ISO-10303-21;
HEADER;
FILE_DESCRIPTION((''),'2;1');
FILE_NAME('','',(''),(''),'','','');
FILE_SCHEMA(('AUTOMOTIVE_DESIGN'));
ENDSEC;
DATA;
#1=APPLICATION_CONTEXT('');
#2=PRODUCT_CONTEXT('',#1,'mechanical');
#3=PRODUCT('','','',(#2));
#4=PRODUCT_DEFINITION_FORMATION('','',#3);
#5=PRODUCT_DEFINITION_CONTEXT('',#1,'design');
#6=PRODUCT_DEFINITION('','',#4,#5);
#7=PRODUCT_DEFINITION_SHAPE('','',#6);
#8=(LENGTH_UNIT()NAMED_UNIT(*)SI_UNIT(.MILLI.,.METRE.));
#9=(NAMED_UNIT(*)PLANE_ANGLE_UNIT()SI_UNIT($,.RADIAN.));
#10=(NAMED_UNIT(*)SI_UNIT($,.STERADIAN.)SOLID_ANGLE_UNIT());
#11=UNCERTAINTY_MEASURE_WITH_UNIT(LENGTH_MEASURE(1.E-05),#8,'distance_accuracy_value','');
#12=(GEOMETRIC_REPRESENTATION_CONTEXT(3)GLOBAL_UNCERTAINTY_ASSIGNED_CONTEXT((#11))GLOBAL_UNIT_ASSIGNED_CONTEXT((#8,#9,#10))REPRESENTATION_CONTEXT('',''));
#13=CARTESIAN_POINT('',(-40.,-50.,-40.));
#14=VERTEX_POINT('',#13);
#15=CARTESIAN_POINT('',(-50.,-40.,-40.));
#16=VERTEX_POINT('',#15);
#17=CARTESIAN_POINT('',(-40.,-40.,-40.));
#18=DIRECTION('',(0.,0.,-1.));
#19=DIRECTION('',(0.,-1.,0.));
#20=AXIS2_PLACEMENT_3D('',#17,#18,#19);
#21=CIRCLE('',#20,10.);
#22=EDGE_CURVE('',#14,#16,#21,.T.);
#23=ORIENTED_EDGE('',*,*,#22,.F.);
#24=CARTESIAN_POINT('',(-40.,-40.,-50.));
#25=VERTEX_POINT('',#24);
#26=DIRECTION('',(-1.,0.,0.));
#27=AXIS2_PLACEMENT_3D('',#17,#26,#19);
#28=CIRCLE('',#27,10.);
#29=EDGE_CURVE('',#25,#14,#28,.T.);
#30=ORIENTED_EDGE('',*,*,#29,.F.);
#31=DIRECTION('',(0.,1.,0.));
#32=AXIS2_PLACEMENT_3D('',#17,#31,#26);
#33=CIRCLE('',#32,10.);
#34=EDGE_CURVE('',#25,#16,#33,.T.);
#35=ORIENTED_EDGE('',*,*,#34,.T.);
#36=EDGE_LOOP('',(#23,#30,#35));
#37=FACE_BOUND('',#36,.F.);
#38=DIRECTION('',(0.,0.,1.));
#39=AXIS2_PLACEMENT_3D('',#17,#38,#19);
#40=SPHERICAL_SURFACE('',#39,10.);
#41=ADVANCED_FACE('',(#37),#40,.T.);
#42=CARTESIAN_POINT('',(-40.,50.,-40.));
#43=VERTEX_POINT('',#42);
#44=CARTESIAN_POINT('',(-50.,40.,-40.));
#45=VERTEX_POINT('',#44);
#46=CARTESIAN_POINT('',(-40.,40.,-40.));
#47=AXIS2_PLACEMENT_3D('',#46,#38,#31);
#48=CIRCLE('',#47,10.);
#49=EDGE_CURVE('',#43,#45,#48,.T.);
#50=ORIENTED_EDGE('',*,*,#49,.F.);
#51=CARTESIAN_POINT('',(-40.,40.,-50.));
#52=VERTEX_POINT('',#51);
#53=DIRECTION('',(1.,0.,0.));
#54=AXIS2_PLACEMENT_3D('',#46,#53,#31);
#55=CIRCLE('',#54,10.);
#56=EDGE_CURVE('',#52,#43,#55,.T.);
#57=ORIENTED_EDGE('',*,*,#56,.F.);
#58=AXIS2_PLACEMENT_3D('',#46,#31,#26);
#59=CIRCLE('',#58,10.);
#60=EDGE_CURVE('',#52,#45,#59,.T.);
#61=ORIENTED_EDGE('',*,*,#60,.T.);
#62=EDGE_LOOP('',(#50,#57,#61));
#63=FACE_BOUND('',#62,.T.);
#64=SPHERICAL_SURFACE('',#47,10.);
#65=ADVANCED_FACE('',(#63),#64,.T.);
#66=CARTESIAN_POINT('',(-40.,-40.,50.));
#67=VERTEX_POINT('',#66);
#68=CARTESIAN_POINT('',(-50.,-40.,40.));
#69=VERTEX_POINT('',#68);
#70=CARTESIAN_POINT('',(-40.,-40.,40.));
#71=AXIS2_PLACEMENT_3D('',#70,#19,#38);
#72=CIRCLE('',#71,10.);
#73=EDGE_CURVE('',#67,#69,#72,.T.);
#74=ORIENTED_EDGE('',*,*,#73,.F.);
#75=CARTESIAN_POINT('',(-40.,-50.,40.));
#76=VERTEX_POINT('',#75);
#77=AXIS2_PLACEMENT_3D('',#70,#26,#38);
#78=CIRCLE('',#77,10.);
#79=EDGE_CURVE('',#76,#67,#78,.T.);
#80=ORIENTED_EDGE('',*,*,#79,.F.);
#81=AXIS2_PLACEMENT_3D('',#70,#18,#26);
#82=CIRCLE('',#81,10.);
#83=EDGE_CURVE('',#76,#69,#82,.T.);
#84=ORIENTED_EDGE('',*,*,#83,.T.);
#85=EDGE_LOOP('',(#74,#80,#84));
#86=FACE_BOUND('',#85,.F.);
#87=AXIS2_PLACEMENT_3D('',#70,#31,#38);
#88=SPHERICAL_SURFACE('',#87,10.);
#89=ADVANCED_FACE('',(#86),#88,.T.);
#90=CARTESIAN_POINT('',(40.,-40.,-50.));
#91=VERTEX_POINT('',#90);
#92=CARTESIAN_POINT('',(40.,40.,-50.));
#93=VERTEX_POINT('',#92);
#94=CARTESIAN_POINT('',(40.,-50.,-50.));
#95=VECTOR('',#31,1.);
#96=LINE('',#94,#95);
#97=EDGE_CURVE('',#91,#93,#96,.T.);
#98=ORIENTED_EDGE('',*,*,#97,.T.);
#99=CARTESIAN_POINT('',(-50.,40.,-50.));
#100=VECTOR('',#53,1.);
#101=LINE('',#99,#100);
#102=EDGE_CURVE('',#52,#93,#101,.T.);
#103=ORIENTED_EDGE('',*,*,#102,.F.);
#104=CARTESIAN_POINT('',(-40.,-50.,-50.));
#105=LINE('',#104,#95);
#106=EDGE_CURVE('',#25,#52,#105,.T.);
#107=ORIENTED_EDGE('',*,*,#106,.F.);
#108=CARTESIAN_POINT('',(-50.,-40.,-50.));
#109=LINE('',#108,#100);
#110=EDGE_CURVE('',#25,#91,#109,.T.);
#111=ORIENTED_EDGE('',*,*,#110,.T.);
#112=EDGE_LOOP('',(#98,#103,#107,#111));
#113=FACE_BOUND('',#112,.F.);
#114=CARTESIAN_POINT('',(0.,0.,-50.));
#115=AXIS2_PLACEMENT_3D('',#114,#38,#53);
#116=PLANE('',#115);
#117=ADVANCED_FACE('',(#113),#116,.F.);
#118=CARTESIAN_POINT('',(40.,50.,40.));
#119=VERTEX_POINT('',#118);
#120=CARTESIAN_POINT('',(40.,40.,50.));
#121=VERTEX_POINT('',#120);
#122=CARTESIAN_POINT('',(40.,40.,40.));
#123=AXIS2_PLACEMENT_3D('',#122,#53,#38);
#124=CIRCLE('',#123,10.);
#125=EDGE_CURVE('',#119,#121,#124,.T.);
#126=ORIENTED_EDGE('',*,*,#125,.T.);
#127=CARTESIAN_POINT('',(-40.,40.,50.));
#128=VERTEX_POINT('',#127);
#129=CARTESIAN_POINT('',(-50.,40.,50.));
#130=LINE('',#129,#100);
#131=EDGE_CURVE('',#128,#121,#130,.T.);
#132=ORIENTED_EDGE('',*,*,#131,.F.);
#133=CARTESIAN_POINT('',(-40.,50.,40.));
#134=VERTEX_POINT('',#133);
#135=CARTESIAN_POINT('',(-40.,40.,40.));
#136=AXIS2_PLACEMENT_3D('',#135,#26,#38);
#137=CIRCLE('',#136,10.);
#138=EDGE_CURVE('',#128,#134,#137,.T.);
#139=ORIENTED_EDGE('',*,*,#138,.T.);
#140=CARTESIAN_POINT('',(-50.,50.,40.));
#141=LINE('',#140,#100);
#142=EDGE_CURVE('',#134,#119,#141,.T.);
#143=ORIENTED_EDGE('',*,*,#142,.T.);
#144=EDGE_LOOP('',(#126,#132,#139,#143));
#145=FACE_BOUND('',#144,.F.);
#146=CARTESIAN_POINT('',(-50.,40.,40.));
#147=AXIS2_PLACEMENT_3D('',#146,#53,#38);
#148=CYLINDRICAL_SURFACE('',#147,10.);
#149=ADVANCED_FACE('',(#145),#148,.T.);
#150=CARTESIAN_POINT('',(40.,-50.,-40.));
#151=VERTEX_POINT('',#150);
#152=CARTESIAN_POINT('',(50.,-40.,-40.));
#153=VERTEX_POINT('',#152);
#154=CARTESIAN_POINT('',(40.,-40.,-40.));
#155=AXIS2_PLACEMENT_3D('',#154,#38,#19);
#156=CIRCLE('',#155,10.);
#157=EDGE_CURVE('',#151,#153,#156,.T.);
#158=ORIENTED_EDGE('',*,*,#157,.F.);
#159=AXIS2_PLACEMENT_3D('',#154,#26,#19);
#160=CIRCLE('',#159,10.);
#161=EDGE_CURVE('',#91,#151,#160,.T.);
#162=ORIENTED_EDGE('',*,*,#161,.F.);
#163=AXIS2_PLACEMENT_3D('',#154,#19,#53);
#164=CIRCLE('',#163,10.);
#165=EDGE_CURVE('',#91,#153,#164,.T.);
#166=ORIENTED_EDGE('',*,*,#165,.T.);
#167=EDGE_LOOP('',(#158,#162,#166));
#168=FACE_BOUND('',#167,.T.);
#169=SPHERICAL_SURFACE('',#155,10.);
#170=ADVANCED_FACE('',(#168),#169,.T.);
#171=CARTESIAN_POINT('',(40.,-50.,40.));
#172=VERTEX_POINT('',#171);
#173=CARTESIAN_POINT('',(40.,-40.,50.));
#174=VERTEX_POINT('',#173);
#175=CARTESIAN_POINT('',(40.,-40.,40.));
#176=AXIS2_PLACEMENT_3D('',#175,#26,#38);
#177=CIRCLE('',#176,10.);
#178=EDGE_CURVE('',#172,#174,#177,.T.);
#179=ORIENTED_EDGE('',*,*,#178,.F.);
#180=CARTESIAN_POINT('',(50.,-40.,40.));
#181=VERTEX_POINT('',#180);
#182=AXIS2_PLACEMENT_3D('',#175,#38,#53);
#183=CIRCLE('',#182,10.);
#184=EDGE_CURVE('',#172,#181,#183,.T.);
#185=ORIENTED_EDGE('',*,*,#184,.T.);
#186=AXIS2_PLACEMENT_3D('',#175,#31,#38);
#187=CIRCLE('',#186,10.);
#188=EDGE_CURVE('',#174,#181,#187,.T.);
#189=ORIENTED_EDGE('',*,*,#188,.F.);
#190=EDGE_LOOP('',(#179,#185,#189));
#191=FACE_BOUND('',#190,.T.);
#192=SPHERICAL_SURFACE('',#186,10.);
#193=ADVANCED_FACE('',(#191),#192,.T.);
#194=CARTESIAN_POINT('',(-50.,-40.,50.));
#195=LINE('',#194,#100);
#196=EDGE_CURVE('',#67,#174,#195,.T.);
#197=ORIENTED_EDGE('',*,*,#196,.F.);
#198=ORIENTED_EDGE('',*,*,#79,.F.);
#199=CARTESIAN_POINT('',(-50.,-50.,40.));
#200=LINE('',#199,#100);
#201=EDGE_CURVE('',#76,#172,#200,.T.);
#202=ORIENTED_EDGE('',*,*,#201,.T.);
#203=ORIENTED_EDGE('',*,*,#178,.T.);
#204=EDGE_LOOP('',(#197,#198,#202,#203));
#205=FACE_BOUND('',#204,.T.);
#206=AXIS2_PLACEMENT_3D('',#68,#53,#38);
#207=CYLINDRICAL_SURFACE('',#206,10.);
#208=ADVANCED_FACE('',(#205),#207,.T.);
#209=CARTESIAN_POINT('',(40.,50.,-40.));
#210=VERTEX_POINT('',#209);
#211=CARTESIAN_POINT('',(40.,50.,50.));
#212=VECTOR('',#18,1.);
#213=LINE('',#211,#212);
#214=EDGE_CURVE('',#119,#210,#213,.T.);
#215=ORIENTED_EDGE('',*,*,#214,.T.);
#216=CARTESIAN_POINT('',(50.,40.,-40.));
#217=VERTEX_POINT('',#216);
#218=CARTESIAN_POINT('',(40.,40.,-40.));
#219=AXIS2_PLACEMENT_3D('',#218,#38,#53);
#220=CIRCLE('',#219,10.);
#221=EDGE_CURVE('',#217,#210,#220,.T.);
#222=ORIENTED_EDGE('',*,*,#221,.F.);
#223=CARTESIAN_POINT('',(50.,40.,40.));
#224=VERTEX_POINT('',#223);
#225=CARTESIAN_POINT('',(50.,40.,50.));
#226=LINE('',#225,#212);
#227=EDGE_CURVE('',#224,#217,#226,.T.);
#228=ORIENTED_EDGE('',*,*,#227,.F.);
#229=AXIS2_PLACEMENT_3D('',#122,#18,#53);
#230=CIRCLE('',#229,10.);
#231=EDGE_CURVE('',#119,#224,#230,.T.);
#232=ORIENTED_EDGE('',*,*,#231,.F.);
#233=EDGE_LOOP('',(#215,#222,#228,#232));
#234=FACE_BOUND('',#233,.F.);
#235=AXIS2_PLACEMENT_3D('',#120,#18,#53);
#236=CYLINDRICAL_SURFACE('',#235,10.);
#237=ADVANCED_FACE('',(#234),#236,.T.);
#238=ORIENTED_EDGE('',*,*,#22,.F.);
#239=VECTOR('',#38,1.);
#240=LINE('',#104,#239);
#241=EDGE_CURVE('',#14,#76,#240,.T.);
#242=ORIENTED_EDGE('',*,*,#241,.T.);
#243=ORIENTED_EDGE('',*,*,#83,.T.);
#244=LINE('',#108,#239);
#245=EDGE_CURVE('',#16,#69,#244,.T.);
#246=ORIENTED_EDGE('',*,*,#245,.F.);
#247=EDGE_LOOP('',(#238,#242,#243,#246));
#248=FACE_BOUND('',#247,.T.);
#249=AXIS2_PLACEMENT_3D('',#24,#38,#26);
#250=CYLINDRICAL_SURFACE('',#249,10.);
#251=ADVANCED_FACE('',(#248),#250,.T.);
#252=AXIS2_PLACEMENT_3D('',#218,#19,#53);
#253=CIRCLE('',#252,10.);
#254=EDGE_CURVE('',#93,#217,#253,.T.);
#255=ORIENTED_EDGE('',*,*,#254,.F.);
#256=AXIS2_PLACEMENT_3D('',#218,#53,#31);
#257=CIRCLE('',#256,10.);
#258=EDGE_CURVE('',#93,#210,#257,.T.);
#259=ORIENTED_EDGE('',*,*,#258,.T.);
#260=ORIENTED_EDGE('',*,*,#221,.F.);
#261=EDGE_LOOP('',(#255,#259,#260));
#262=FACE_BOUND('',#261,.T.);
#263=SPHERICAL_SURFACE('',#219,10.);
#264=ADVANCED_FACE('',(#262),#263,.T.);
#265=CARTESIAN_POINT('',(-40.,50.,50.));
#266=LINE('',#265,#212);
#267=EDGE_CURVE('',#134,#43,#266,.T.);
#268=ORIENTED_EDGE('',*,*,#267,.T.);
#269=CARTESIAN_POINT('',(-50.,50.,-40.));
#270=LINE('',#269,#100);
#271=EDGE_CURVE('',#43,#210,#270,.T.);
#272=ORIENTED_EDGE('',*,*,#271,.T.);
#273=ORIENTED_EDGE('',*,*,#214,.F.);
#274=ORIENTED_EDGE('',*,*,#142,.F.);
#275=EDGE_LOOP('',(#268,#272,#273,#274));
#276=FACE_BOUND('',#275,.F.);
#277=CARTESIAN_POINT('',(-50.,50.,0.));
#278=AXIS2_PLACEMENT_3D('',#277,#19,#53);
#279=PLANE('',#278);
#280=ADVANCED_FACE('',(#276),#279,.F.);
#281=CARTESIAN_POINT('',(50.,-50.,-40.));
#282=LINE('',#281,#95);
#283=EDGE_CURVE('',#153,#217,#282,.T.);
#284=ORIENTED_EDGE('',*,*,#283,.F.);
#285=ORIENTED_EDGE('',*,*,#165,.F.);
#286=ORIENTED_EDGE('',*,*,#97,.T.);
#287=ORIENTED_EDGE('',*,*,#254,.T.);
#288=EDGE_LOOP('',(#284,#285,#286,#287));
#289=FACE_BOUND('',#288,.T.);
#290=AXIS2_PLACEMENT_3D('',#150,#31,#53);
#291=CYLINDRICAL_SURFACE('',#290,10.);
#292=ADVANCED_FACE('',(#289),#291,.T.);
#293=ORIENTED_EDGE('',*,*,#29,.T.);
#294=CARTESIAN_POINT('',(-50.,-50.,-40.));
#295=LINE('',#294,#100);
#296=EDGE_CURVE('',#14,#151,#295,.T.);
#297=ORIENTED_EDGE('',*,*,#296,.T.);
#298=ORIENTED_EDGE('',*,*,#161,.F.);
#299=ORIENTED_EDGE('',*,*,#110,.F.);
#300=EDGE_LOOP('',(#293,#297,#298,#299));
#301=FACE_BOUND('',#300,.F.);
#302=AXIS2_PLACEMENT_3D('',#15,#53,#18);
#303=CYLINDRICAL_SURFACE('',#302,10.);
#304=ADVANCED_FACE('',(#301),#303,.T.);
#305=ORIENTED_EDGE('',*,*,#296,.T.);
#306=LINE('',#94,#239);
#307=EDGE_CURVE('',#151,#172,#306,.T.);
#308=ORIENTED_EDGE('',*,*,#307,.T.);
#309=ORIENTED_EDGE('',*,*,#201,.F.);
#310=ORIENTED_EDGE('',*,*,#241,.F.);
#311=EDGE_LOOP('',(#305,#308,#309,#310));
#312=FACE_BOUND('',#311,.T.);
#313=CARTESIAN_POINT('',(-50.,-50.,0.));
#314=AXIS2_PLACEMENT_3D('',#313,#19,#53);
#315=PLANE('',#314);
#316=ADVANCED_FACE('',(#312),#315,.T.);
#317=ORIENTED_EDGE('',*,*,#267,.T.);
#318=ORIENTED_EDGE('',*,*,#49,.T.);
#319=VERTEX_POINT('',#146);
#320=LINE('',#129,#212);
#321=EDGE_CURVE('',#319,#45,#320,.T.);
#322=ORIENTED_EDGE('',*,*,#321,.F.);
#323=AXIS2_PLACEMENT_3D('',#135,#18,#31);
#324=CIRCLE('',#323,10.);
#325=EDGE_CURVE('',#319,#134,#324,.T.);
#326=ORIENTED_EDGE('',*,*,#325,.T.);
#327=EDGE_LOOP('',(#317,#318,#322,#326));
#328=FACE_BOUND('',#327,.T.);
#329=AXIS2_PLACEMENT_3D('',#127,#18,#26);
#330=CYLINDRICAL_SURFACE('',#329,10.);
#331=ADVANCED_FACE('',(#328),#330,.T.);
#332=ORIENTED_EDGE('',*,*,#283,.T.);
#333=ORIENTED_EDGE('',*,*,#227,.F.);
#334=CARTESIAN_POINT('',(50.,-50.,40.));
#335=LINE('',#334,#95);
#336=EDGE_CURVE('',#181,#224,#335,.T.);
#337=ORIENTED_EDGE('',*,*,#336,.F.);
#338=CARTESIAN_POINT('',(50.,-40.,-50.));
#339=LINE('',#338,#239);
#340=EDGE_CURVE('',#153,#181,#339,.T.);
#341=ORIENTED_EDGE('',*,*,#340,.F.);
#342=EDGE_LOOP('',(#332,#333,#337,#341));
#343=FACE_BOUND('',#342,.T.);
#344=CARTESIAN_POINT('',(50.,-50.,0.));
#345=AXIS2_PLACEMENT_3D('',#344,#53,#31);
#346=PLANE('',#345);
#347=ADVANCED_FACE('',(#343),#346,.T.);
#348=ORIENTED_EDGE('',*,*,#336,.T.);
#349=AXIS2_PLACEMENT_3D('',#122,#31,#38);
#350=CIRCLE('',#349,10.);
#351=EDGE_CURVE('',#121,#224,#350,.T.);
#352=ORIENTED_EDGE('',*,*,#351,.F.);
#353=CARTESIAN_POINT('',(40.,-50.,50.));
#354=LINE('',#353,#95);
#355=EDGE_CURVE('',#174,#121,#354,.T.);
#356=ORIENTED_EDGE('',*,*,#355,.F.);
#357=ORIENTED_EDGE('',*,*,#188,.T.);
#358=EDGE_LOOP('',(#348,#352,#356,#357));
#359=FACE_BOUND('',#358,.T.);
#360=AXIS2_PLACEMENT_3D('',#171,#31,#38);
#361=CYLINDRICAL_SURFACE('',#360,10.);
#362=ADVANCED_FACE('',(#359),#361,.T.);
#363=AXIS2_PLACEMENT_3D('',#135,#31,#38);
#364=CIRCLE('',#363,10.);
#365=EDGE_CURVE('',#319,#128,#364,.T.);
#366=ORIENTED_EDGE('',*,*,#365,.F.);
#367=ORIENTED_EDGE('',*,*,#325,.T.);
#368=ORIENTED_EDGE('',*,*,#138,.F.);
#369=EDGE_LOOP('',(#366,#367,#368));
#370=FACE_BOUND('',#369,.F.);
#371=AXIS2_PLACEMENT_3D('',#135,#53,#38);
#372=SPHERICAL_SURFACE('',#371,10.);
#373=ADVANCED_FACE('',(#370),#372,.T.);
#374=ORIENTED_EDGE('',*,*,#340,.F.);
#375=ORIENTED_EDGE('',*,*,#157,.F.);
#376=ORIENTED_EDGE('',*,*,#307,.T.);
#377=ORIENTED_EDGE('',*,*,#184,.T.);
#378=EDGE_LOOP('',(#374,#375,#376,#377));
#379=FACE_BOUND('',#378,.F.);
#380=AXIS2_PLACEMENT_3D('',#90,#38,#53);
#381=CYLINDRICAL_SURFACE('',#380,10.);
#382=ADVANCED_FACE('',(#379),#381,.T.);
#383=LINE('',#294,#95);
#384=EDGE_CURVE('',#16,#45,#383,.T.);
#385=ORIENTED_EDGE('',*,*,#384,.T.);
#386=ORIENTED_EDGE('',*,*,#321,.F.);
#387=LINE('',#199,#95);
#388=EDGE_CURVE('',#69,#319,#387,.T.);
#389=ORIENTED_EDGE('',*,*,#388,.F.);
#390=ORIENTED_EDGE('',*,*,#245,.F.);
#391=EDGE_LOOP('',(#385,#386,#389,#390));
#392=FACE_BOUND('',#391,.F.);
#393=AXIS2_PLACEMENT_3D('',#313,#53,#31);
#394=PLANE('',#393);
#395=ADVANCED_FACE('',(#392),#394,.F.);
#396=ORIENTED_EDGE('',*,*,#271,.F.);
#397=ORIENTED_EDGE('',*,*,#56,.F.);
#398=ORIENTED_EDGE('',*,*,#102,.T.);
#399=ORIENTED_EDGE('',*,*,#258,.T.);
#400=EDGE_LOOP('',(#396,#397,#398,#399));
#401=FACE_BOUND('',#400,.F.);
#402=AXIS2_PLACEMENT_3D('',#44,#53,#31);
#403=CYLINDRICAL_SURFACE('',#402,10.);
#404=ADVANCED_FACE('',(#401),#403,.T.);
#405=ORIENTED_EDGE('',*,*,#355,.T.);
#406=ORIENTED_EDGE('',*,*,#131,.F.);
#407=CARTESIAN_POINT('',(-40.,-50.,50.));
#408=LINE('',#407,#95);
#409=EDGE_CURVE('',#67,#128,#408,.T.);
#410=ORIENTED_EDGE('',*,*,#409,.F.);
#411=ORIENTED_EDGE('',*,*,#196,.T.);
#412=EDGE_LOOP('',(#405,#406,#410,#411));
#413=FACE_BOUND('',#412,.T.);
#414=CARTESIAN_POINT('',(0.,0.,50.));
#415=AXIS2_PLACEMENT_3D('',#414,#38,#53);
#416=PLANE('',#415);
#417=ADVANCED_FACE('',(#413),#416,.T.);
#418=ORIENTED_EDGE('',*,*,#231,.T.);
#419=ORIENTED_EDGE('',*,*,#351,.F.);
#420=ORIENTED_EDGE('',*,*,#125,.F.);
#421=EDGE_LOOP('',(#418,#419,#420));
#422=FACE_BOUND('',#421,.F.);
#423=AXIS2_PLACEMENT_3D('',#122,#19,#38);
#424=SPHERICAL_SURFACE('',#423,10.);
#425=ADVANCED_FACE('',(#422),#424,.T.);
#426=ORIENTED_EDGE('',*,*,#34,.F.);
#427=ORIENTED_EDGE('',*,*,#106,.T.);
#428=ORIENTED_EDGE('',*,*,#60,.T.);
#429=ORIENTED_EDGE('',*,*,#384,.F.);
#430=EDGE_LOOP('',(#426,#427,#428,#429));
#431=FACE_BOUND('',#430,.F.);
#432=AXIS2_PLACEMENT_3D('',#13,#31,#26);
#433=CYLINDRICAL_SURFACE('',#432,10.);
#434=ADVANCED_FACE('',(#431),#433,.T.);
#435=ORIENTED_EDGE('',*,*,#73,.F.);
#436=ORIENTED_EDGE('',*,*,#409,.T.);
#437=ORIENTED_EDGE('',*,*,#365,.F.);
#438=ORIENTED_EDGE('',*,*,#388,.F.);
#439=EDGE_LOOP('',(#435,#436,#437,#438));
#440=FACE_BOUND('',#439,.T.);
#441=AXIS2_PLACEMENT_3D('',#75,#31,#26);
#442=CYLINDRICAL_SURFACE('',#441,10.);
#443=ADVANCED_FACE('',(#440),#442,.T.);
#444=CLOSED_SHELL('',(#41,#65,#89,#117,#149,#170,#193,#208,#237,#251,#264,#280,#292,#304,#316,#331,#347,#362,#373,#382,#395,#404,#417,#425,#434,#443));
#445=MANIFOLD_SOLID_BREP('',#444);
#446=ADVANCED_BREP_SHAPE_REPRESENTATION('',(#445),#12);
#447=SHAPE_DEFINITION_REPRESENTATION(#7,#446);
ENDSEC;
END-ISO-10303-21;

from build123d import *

# Parameters (mm, degrees)
F0_W          = 100
F0_H          = 100
F1_DEPTH      = 50
F1_DEPTH_BACK = 50
F2_R          = 10


with BuildPart() as f1:
    # F0 (on Top) → F1 (new body, two sides)
    with BuildSketch(Plane.XY) as f1_sk:
        Rectangle(F0_W, F0_H)
    extrude(amount=F1_DEPTH)
    extrude(f1_sk.sketch, amount=-F1_DEPTH_BACK)

    # F2
    f2_edges = [f1.edges().sort_by_distance(p)[0] for p in [
        (50, 0, 50),
        (0, 50, 50),
        (-50, 0, 50),
        (0, -50, 50),
        (-50, -50, 0),
        (50, -50, 0),
        (0, -50, -50),
        (50, 50, 0),
        (50, 0, -50),
        (-50, 50, 0),
        (0, 50, -50),
        (-50, 0, -50),
    ]]
    fillet(f2_edges, radius=F2_R)


solid = f1.part
